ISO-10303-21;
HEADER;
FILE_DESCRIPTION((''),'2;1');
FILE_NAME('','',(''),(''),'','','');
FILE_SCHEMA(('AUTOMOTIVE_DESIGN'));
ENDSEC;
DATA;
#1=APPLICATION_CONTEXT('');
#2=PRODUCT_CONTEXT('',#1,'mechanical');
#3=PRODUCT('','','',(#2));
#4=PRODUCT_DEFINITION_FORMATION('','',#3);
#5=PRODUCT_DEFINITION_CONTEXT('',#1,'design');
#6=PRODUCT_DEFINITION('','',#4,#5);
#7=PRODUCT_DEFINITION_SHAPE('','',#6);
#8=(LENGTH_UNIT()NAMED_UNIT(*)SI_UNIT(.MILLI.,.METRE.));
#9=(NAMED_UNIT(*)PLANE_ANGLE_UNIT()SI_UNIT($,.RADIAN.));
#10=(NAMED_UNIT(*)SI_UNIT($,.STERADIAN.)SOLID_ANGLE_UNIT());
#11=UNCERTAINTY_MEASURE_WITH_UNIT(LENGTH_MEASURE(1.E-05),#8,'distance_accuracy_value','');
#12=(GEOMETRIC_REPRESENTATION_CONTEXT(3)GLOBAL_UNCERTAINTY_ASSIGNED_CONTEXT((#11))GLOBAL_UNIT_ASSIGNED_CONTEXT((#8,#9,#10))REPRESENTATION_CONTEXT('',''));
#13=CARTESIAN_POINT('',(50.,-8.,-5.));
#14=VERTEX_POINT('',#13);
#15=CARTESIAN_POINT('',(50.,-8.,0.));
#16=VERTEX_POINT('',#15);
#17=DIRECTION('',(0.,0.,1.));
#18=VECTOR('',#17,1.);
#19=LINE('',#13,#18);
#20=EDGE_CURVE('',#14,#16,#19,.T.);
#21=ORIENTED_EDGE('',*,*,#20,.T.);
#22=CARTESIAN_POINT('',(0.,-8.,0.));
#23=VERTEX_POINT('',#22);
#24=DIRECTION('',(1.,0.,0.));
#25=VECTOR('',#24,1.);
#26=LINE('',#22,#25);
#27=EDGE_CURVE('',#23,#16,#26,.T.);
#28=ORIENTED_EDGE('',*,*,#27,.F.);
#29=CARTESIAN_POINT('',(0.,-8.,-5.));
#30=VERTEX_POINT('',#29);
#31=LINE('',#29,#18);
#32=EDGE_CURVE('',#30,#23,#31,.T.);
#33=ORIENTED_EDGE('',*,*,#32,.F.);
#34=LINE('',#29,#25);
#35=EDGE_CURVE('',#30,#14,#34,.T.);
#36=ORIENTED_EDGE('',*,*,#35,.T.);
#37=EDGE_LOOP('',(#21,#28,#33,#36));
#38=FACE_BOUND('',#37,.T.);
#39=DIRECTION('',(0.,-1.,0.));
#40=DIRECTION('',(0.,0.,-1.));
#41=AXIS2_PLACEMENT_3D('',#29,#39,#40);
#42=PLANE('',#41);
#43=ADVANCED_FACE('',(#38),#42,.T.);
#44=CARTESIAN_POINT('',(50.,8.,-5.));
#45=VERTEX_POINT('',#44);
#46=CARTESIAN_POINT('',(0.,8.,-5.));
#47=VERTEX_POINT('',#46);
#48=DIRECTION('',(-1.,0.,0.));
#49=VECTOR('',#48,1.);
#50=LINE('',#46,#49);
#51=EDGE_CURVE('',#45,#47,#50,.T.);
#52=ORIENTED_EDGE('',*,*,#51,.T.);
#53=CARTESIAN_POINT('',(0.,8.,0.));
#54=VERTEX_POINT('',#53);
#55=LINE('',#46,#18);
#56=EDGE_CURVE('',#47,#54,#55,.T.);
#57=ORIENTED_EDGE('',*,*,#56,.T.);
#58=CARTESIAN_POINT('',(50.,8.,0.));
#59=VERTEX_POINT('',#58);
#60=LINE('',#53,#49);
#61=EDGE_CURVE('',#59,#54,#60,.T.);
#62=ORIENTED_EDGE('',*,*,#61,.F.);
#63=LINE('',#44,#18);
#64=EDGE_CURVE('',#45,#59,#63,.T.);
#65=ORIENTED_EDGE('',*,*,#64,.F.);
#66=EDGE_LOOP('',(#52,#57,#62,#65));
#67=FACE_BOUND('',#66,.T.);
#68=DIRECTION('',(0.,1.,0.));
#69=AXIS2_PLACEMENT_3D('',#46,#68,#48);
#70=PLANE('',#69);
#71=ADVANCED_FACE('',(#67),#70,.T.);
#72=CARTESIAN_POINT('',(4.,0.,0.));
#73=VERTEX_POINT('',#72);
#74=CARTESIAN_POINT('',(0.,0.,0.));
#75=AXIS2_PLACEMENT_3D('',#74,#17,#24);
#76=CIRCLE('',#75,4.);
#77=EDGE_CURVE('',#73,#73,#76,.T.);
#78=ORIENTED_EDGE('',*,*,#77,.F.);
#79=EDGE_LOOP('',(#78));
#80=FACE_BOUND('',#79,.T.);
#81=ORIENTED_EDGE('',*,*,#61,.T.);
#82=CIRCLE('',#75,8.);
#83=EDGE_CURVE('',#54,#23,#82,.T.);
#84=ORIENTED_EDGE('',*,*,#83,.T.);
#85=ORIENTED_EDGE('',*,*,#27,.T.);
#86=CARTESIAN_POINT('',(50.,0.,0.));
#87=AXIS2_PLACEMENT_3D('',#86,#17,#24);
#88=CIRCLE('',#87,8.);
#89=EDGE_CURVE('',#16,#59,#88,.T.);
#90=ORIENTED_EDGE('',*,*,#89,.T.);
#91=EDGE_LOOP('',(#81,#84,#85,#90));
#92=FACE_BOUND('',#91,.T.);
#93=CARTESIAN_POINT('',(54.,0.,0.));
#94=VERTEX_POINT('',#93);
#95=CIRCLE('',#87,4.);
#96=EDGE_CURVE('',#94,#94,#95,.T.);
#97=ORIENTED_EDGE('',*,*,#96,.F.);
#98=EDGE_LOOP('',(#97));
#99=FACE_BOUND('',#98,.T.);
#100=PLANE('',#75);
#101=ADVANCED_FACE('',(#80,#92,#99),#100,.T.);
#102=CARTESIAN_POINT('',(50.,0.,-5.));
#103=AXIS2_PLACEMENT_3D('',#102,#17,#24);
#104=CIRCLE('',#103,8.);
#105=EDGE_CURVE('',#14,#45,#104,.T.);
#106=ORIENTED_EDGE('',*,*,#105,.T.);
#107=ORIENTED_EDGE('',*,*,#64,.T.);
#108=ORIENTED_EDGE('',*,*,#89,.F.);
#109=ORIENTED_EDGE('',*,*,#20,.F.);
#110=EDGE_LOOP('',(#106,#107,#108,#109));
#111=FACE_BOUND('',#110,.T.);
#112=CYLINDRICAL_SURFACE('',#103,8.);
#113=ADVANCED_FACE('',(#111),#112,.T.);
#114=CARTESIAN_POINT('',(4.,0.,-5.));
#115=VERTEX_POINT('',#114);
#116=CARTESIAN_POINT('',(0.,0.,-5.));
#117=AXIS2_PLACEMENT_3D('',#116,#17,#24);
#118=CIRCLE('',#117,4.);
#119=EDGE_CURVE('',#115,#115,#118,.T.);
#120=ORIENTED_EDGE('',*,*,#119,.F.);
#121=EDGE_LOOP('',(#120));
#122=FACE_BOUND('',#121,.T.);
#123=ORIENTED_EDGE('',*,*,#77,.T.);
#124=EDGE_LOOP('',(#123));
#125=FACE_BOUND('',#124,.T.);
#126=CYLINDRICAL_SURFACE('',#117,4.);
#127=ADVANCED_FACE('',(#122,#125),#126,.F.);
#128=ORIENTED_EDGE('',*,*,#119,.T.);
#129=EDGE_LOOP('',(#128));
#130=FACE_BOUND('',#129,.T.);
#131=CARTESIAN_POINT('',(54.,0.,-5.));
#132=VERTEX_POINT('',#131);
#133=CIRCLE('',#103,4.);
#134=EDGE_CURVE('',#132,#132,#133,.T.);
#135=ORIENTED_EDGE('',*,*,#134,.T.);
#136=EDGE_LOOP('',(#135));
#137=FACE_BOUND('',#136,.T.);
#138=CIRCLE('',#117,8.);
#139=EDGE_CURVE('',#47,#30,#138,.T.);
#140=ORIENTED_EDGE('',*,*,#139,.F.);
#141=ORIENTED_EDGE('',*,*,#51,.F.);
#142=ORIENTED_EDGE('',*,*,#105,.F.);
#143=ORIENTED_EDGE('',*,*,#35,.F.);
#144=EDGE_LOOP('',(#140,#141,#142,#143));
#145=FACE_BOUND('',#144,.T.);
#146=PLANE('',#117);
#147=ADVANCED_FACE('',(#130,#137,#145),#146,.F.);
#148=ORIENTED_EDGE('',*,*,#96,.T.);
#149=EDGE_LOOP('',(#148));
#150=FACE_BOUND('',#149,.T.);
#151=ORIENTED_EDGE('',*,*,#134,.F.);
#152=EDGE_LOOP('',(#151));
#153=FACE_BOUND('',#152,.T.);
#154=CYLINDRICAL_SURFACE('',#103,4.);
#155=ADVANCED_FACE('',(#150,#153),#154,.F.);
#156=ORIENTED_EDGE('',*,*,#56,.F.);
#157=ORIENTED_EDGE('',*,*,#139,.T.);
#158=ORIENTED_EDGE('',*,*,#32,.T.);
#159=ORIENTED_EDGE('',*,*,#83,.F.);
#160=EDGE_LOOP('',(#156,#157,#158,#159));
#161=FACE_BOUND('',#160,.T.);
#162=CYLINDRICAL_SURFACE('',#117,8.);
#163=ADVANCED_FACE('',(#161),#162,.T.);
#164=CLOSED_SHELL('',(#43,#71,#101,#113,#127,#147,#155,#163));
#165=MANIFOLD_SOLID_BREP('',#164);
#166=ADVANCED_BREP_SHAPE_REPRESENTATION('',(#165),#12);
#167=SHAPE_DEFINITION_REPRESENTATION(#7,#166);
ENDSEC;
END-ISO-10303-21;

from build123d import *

# Parameters (mm, degrees)
SKETCH1_R           = 4
BOSS_EXTRUDE1_DEPTH = 5


with BuildPart() as part:
    # Sketch1 → Boss-Extrude1 (new body)
    with BuildSketch(Plane.XY):
        with BuildLine():
            Line((0, 8), (50, 8))
            ThreePointArc((50, 8), (58, 0), (50, -8))
            Line((50, -8), (0, -8))
            ThreePointArc((0, -8), (-8, 0), (0, 8))
        make_face()
        Circle(SKETCH1_R, mode=Mode.SUBTRACT)
        with Locations((50, 0)):
            Circle(SKETCH1_R, mode=Mode.SUBTRACT)
    extrude(amount=-BOSS_EXTRUDE1_DEPTH)


solid = part.part
